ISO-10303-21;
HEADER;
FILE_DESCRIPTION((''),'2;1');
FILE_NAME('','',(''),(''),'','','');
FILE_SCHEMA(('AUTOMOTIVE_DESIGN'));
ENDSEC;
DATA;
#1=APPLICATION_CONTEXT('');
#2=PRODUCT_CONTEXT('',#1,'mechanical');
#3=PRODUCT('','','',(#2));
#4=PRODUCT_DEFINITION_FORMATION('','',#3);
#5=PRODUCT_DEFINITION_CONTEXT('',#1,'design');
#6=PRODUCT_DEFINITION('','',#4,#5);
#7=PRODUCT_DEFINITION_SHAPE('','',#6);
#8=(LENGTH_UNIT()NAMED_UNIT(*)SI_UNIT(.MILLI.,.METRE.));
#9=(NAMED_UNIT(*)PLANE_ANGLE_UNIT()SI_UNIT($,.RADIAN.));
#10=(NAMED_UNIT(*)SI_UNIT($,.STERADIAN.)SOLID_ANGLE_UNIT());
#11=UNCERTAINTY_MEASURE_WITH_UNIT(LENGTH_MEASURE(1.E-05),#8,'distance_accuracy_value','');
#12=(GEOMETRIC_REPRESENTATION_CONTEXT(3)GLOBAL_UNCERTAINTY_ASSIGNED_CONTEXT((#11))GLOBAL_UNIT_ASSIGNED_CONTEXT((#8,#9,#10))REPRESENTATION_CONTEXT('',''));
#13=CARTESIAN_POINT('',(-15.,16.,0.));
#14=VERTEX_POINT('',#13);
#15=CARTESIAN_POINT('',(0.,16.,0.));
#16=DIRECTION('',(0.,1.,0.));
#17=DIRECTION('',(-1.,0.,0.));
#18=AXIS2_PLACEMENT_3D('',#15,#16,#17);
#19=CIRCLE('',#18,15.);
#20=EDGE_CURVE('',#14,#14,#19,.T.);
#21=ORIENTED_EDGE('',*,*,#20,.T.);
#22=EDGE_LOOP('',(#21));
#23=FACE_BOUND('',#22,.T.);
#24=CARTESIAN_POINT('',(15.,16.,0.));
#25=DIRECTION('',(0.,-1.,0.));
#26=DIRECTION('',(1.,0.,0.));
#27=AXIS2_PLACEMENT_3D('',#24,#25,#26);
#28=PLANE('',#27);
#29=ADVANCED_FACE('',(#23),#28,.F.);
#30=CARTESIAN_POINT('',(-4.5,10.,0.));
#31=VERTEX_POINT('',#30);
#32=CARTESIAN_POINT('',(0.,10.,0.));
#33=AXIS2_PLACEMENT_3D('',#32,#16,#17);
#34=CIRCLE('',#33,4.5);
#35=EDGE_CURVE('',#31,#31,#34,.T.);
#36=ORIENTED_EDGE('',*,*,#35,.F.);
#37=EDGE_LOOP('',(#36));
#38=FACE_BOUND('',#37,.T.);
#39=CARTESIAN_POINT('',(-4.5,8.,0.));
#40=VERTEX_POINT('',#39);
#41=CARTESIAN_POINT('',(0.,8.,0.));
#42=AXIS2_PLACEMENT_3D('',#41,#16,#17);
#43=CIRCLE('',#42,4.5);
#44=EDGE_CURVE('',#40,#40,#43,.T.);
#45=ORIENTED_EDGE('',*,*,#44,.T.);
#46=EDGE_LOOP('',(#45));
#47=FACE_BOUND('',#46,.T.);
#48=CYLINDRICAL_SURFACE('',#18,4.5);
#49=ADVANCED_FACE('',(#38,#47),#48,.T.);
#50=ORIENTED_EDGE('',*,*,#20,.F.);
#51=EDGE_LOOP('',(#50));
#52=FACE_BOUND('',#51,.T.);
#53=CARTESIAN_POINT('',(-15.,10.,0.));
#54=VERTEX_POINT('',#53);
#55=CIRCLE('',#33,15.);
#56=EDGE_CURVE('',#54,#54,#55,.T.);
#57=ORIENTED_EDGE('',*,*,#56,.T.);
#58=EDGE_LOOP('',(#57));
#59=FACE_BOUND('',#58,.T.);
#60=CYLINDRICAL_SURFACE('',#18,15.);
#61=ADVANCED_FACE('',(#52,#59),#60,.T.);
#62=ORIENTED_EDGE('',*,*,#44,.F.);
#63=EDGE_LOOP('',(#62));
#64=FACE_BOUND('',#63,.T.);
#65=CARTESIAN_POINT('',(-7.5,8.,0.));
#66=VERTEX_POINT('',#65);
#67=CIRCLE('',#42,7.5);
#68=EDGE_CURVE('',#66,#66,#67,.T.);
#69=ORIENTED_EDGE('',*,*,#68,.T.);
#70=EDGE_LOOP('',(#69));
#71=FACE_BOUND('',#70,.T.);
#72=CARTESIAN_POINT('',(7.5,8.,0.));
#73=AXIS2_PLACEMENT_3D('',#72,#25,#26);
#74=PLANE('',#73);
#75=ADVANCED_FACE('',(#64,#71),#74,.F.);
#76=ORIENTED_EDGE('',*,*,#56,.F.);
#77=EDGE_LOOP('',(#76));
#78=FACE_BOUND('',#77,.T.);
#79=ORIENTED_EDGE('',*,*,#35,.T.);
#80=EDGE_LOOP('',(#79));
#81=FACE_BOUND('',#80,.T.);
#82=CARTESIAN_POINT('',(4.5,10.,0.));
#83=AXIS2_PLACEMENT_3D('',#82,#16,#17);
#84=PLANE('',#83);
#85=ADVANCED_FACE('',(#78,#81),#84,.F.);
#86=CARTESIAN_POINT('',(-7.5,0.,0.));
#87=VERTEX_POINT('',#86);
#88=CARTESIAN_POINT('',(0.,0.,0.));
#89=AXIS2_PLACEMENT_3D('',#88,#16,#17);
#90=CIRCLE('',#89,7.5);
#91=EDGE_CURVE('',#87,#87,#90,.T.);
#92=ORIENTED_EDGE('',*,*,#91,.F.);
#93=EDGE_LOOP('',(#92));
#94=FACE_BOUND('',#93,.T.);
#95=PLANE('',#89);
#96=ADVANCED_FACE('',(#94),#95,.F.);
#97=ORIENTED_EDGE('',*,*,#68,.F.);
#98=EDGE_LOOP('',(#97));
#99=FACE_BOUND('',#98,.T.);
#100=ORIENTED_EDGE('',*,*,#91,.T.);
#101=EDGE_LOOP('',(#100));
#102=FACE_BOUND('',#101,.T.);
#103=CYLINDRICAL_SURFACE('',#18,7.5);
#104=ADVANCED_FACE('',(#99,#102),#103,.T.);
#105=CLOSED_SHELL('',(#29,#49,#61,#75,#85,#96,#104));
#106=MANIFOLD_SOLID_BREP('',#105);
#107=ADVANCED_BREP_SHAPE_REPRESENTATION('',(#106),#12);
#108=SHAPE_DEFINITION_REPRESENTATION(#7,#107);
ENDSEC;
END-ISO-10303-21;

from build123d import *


with BuildPart() as part:
    # Sketch1 → Revolve1 (revolve)
    with BuildSketch(Plane.XY, mode=Mode.PRIVATE) as revolve1_sk:
        Polygon((0, 0), (7.5, 0), (7.5, 8), (4.5, 8), (4.5, 10), (15, 10), (15, 16), (0, 16), align=None)
    revolve(revolve1_sk.sketch.rotate(Axis((0, 16, 0), (0, -1, 0)), 180), axis=Axis((0, 16, 0), (0, -1, 0)))


solid = part.part
